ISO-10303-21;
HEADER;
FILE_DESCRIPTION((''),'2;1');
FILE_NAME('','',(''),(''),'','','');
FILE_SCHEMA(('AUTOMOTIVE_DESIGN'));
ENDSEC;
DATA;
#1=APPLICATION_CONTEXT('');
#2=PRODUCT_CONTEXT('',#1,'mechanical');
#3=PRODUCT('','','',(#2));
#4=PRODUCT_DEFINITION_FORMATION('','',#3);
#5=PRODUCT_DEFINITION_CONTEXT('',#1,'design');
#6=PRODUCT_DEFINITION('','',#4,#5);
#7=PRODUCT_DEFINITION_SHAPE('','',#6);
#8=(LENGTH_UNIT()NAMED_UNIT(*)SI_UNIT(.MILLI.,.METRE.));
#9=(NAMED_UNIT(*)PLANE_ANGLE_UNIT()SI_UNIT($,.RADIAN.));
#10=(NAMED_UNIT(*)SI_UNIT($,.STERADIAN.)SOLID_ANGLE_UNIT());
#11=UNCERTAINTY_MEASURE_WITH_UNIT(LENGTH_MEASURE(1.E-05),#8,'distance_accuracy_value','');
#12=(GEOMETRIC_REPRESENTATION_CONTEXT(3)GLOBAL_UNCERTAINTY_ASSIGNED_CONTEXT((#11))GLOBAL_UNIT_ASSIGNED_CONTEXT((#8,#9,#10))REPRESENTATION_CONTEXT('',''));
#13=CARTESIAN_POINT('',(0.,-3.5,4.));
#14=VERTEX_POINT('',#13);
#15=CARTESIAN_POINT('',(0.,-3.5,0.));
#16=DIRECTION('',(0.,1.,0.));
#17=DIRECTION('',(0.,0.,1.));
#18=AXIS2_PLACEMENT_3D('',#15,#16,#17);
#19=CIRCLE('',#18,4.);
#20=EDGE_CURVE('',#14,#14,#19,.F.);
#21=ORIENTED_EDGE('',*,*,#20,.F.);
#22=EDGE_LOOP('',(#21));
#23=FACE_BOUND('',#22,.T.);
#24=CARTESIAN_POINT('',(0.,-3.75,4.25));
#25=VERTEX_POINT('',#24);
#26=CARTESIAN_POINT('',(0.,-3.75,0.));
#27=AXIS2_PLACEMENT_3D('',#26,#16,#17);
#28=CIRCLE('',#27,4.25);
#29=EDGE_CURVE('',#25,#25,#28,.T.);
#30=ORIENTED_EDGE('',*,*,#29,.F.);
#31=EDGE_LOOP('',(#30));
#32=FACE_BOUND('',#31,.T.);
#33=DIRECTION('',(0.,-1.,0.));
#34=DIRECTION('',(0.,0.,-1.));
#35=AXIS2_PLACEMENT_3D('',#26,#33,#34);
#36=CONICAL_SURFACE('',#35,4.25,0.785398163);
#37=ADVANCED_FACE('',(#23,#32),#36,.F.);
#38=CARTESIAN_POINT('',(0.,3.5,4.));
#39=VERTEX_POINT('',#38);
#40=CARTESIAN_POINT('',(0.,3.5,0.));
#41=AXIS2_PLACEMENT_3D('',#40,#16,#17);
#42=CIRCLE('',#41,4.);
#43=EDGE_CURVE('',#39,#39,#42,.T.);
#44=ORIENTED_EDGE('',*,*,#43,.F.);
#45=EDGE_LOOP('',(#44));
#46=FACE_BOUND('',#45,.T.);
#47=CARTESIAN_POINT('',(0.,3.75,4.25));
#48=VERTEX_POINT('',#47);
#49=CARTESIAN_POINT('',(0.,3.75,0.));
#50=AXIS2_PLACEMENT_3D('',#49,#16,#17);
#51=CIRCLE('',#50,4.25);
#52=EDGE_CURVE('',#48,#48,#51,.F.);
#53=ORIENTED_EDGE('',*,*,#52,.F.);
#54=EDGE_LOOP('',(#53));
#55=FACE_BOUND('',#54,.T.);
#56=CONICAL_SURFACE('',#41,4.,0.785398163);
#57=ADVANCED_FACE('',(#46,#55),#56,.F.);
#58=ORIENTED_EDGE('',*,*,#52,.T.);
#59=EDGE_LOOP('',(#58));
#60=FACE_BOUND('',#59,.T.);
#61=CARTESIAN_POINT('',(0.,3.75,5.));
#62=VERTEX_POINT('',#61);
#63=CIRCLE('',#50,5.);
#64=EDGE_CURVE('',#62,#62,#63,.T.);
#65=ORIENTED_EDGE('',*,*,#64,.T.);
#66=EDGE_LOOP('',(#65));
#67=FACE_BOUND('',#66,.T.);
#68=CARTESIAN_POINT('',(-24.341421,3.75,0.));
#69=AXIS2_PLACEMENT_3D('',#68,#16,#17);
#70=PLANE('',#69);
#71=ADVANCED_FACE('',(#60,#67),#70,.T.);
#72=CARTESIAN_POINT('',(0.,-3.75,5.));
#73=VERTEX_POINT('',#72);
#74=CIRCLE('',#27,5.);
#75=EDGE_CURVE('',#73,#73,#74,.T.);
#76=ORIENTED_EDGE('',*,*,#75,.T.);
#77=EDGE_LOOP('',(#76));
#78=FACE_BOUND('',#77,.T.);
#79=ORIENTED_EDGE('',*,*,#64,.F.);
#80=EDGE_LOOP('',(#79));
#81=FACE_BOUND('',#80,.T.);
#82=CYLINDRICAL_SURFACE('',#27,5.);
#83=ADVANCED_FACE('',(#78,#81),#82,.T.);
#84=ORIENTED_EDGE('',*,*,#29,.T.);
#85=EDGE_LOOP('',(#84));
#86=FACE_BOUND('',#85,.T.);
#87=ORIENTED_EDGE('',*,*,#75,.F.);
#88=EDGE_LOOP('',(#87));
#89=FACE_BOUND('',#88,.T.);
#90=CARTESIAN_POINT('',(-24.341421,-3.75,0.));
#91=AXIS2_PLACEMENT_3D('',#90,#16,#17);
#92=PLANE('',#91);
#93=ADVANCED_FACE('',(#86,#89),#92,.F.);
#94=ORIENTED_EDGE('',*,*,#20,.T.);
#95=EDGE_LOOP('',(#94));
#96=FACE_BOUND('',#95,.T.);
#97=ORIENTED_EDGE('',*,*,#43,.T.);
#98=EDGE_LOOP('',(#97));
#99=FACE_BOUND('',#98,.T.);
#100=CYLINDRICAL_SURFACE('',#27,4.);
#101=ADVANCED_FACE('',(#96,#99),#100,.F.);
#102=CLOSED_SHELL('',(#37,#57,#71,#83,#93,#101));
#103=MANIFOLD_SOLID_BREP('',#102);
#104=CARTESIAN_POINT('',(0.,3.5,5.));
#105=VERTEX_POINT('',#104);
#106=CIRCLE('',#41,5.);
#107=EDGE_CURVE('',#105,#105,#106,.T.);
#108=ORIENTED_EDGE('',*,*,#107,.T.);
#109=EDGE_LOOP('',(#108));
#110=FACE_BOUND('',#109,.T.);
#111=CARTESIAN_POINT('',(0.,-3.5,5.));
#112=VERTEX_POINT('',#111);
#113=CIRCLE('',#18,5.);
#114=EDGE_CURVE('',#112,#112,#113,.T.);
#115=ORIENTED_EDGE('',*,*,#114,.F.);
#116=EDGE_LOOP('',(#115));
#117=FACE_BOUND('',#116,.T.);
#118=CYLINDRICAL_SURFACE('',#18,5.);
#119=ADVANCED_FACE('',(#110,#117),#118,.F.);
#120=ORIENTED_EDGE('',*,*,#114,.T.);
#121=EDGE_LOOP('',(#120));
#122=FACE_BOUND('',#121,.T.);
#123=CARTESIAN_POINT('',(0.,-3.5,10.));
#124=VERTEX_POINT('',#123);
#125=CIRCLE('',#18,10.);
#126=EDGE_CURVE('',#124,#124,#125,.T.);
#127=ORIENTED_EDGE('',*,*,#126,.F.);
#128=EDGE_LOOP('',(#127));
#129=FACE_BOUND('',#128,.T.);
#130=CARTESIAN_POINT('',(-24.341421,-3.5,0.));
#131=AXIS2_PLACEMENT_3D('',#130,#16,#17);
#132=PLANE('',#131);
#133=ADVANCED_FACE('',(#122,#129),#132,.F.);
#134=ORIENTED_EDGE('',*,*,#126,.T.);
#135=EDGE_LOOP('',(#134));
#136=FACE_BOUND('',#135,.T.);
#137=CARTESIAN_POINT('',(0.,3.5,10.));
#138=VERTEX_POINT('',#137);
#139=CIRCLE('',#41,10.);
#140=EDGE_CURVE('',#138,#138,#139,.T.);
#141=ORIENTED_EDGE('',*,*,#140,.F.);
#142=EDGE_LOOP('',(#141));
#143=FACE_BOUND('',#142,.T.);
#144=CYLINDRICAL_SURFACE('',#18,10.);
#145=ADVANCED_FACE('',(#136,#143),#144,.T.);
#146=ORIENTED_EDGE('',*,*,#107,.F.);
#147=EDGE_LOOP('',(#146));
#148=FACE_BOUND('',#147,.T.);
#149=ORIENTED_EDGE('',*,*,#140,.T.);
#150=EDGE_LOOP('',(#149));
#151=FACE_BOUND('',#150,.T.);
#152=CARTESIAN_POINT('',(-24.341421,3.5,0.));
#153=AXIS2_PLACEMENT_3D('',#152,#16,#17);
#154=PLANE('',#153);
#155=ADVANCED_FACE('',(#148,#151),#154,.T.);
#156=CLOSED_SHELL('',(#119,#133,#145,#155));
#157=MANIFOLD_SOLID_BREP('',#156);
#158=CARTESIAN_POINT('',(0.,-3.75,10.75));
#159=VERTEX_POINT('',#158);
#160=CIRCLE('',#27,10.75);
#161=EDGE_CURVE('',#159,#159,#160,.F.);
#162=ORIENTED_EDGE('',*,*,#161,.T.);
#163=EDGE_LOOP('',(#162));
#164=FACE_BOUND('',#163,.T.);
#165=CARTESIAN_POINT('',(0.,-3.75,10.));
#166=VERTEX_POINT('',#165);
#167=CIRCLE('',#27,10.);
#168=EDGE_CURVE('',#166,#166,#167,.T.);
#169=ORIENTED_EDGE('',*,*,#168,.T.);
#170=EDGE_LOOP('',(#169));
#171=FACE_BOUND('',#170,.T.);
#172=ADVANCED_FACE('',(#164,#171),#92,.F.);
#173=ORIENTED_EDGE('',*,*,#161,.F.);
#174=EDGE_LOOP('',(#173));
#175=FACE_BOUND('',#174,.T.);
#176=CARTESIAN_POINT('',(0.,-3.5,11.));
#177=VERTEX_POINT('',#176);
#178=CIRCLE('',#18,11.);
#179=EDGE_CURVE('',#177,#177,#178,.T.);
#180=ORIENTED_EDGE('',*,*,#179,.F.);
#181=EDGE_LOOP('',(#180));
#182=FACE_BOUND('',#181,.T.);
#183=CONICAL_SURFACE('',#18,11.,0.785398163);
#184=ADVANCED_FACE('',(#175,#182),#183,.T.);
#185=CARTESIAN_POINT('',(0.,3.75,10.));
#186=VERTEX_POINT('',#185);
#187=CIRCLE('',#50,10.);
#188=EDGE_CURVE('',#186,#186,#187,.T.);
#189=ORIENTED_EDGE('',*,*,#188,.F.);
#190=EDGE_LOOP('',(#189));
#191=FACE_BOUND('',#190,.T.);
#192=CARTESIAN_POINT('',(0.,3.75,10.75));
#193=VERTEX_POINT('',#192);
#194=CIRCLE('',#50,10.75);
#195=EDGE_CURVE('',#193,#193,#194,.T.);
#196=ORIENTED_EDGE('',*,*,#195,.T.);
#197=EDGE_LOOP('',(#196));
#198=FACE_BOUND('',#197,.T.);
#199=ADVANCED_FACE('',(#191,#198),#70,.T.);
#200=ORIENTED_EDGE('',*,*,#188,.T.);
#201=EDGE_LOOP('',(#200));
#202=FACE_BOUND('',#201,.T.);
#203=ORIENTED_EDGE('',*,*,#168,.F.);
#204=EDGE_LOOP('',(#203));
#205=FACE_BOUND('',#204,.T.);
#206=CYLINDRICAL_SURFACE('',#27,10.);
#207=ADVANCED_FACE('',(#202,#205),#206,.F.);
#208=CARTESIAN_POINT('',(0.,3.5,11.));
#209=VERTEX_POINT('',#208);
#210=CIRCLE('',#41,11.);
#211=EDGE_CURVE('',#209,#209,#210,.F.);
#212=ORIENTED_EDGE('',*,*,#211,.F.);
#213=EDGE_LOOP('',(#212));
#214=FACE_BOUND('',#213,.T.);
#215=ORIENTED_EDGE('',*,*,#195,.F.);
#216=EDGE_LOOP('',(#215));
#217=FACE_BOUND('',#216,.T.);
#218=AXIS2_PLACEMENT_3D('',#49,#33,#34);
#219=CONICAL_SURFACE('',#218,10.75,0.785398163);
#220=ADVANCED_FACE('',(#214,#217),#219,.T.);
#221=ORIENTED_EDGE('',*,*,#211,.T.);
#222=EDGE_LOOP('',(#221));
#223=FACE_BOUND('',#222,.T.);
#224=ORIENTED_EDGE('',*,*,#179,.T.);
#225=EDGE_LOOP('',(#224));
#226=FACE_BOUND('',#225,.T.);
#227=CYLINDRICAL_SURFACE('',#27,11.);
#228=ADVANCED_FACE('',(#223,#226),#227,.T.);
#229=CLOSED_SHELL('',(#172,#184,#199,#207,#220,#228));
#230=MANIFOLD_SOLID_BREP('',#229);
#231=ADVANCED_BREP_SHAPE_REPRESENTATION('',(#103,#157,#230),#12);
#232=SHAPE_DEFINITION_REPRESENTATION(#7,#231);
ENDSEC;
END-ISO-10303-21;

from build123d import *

# Parameters (mm, degrees)
EXTRUDE1_DEPTH        = 3.75
EXTRUDE1_DEPTH_BACK   = 3.75
SKETCH1_R             = 5
SKETCH1_R_2           = 4
EXTRUDE1_2_DEPTH      = 3.75
EXTRUDE1_2_DEPTH_BACK = 3.75
SKETCH1_R_3           = 11
SKETCH1_R_4           = 10
EXTRUDE2_DEPTH        = 3.5
EXTRUDE2_DEPTH_BACK   = 3.5
SKETCH1_4_R           = 10
SKETCH1_4_R_2         = 5
CHAMFER1_SIZE         = 0.25
CHAMFER2_SIZE         = 0.25
CHAMFER3_SIZE         = 0.25


with BuildPart() as part:
    # Sketch1 → Extrude1 (new, two sides: drawn at the far end of the back side and taken through both)
    with BuildSketch(Plane(origin=(0, 0, 0), x_dir=(1, 0, 0), z_dir=(0, 1, 0)).offset(-EXTRUDE1_DEPTH_BACK)):
        Circle(SKETCH1_R)
        Circle(SKETCH1_R_2, mode=Mode.SUBTRACT)
    extrude(amount=EXTRUDE1_DEPTH + EXTRUDE1_DEPTH_BACK)

    # Chamfer3
    chamfer3_edges = [part.edges().sort_by_distance(p)[0] for p in [
        (-4, 3.75, 0),
        (-4, -3.75, 0),
    ]]
    chamfer(chamfer3_edges, length=CHAMFER3_SIZE)


with BuildPart() as body_2:
    # Sketch1 → Extrude1 2 (new, two sides: drawn at the far end of the back side and taken through both)
    with BuildSketch(Plane(origin=(0, 0, 0), x_dir=(1, 0, 0), z_dir=(0, 1, 0)).offset(-EXTRUDE1_2_DEPTH_BACK)):
        Circle(SKETCH1_R_3)
        Circle(SKETCH1_R_4, mode=Mode.SUBTRACT)
    extrude(amount=EXTRUDE1_2_DEPTH + EXTRUDE1_2_DEPTH_BACK)

    # Chamfer1
    chamfer1_edges = [body_2.edges().sort_by_distance(p)[0] for p in [
        (-11, 3.75, 0),
    ]]
    chamfer(chamfer1_edges, length=CHAMFER1_SIZE)

    # Chamfer2
    chamfer2_edges = [body_2.edges().sort_by_distance(p)[0] for p in [
        (-11, -3.75, 0),
    ]]
    chamfer(chamfer2_edges, length=CHAMFER2_SIZE)


with BuildPart() as body_3:
    # Sketch1<4> → Extrude2 (new, two sides: drawn at the far end of the back side and taken through both)
    with BuildSketch(Plane(origin=(0, 0, 0), x_dir=(1, 0, 0), z_dir=(0, 1, 0)).offset(-EXTRUDE2_DEPTH_BACK)):
        Circle(SKETCH1_4_R)
        Circle(SKETCH1_4_R_2, mode=Mode.SUBTRACT)
    extrude(amount=EXTRUDE2_DEPTH + EXTRUDE2_DEPTH_BACK)


solid = Compound([part.part, body_2.part, body_3.part])
